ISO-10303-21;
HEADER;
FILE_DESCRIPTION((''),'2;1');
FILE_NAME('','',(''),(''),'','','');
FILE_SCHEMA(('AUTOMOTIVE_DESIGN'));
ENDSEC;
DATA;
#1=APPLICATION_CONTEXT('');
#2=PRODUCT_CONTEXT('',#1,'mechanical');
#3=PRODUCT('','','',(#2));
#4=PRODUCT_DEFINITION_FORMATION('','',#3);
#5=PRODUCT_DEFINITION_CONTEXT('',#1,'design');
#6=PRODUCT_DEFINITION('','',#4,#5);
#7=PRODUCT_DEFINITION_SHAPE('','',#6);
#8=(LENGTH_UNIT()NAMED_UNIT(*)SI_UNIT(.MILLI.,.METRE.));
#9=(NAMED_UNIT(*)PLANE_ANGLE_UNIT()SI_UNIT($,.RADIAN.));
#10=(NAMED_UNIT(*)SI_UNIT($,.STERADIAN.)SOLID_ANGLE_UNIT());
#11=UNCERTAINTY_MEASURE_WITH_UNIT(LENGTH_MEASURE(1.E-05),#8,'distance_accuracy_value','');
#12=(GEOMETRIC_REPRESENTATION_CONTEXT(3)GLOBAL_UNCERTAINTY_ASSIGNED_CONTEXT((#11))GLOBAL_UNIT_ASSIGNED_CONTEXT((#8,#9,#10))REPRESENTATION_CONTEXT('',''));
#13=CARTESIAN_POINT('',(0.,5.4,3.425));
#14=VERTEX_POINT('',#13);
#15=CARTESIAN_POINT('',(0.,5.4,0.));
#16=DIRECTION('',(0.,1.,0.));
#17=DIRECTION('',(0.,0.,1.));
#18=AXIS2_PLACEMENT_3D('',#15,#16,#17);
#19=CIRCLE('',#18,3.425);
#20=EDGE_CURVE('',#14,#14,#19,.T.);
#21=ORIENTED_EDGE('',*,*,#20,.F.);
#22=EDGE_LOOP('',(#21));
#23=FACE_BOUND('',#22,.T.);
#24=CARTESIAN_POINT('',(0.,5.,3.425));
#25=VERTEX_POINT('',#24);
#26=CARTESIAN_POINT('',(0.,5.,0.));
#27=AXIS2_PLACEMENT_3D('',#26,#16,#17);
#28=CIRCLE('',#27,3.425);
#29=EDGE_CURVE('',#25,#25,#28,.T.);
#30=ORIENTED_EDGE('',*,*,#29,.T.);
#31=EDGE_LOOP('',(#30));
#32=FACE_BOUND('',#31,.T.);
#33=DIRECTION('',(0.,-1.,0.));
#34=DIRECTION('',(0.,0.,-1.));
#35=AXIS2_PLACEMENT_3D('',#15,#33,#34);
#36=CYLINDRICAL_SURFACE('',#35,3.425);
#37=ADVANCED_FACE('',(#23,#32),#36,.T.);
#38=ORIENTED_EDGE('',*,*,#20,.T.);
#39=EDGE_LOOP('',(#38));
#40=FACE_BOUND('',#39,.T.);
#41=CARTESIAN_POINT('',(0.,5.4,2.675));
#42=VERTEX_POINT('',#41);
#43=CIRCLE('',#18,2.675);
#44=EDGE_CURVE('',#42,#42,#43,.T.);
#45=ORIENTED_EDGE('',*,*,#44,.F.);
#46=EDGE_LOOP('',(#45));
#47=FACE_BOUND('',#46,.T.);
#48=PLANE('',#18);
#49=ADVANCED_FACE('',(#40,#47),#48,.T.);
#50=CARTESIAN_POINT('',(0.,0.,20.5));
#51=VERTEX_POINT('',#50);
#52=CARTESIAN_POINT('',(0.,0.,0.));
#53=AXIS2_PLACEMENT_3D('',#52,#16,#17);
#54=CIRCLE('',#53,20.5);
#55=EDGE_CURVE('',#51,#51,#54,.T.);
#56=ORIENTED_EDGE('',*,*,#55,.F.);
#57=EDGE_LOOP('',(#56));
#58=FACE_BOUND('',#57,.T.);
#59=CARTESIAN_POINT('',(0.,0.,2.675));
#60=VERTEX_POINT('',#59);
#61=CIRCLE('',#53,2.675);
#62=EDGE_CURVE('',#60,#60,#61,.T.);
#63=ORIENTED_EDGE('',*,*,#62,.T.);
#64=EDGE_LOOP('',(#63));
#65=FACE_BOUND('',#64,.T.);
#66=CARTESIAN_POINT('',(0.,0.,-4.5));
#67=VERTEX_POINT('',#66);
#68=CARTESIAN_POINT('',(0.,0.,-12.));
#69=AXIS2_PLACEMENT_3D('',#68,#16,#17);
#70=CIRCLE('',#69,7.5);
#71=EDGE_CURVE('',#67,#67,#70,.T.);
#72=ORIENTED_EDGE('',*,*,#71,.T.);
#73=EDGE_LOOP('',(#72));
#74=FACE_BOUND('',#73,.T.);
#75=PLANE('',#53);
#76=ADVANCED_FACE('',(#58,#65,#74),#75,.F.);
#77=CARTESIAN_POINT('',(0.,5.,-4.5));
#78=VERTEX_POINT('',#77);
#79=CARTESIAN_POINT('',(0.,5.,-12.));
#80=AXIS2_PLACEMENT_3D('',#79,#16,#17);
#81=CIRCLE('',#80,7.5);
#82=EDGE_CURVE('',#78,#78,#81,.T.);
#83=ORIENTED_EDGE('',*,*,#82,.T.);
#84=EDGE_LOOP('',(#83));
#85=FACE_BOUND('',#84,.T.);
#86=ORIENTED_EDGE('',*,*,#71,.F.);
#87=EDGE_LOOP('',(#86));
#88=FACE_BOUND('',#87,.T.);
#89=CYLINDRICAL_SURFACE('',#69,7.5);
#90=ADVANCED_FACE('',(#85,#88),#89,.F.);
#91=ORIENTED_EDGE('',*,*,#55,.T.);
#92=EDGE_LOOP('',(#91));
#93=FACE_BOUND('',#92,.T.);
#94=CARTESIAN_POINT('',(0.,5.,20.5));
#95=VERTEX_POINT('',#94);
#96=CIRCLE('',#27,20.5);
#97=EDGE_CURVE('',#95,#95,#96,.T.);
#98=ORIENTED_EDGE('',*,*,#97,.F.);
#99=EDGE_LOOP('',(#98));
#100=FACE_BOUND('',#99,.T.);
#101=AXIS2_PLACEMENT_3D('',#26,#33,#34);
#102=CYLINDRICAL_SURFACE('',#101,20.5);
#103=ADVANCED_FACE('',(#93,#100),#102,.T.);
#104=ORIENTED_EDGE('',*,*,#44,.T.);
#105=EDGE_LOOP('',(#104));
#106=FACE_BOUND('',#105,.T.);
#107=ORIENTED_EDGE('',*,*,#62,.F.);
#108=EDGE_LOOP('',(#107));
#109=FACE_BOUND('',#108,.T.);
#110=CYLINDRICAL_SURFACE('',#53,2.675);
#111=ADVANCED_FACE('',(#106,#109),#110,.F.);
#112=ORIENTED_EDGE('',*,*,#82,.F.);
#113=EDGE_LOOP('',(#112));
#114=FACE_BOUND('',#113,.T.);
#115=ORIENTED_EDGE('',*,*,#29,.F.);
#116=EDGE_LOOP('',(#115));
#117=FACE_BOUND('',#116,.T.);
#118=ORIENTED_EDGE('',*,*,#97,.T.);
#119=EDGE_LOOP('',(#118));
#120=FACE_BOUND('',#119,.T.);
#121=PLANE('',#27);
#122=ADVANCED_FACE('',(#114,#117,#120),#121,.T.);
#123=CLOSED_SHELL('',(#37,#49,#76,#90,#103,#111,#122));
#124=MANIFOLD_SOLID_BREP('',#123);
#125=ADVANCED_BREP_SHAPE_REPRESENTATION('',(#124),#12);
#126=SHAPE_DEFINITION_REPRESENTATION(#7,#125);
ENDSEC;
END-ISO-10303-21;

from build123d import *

# Parameters (mm, degrees)
SKETCH1_R           = 20.5
BOSS_EXTRUDE1_DEPTH = 5
SKETCH2_R           = 2.675
CUT_EXTRUDE1_DEPTH  = 5
BOSS_EXTRUDE2_START = 0.4
SKETCH3_R           = 3.425
SKETCH3_R_2         = 2.675
BOSS_EXTRUDE2_DEPTH = 0.4
SKETCH5_R           = 7.5
CUT_EXTRUDE3_DEPTH  = 5


with BuildPart() as part:
    # Sketch1 → Boss-Extrude1 (new body)
    with BuildSketch(Plane(origin=(0, 0, 0), x_dir=(1, 0, 0), z_dir=(0, 1, 0))):
        with Locations(Location((0, 0, 0), (0, 0, 270))):
            Circle(SKETCH1_R)
    extrude(amount=BOSS_EXTRUDE1_DEPTH)

    # Sketch2 → Cut-Extrude1 (cut)
    with BuildSketch(Plane(origin=(0, 5, 0), x_dir=(1, 0, 0), z_dir=(0, 1, 0))):
        with Locations(Location((0, 0, 0), (0, 0, 270))):
            Circle(SKETCH2_R)
    extrude(amount=-CUT_EXTRUDE1_DEPTH, mode=Mode.SUBTRACT)

    # Sketch3 → Boss-Extrude2 (add)
    with BuildSketch(Plane(origin=(0, 5, 0), x_dir=(1, 0, 0), z_dir=(0, 1, 0)).offset(BOSS_EXTRUDE2_START)):
        with Locations(Location((0, 0, 0), (0, 0, 270))):
            Circle(SKETCH3_R)
        with Locations(Location((0, 0, 0), (0, 0, 270))):
            Circle(SKETCH3_R_2, mode=Mode.SUBTRACT)
    extrude(amount=-BOSS_EXTRUDE2_DEPTH)

    # Sketch5 → Cut-Extrude3 (cut)
    with BuildSketch(Plane(origin=(0, 5, 0), x_dir=(1, 0, 0), z_dir=(0, 1, 0))):
        with Locations(Location((0, 12, 0), (0, 0, 270))):
            Circle(SKETCH5_R)
    extrude(amount=-CUT_EXTRUDE3_DEPTH, mode=Mode.SUBTRACT)


solid = part.part
